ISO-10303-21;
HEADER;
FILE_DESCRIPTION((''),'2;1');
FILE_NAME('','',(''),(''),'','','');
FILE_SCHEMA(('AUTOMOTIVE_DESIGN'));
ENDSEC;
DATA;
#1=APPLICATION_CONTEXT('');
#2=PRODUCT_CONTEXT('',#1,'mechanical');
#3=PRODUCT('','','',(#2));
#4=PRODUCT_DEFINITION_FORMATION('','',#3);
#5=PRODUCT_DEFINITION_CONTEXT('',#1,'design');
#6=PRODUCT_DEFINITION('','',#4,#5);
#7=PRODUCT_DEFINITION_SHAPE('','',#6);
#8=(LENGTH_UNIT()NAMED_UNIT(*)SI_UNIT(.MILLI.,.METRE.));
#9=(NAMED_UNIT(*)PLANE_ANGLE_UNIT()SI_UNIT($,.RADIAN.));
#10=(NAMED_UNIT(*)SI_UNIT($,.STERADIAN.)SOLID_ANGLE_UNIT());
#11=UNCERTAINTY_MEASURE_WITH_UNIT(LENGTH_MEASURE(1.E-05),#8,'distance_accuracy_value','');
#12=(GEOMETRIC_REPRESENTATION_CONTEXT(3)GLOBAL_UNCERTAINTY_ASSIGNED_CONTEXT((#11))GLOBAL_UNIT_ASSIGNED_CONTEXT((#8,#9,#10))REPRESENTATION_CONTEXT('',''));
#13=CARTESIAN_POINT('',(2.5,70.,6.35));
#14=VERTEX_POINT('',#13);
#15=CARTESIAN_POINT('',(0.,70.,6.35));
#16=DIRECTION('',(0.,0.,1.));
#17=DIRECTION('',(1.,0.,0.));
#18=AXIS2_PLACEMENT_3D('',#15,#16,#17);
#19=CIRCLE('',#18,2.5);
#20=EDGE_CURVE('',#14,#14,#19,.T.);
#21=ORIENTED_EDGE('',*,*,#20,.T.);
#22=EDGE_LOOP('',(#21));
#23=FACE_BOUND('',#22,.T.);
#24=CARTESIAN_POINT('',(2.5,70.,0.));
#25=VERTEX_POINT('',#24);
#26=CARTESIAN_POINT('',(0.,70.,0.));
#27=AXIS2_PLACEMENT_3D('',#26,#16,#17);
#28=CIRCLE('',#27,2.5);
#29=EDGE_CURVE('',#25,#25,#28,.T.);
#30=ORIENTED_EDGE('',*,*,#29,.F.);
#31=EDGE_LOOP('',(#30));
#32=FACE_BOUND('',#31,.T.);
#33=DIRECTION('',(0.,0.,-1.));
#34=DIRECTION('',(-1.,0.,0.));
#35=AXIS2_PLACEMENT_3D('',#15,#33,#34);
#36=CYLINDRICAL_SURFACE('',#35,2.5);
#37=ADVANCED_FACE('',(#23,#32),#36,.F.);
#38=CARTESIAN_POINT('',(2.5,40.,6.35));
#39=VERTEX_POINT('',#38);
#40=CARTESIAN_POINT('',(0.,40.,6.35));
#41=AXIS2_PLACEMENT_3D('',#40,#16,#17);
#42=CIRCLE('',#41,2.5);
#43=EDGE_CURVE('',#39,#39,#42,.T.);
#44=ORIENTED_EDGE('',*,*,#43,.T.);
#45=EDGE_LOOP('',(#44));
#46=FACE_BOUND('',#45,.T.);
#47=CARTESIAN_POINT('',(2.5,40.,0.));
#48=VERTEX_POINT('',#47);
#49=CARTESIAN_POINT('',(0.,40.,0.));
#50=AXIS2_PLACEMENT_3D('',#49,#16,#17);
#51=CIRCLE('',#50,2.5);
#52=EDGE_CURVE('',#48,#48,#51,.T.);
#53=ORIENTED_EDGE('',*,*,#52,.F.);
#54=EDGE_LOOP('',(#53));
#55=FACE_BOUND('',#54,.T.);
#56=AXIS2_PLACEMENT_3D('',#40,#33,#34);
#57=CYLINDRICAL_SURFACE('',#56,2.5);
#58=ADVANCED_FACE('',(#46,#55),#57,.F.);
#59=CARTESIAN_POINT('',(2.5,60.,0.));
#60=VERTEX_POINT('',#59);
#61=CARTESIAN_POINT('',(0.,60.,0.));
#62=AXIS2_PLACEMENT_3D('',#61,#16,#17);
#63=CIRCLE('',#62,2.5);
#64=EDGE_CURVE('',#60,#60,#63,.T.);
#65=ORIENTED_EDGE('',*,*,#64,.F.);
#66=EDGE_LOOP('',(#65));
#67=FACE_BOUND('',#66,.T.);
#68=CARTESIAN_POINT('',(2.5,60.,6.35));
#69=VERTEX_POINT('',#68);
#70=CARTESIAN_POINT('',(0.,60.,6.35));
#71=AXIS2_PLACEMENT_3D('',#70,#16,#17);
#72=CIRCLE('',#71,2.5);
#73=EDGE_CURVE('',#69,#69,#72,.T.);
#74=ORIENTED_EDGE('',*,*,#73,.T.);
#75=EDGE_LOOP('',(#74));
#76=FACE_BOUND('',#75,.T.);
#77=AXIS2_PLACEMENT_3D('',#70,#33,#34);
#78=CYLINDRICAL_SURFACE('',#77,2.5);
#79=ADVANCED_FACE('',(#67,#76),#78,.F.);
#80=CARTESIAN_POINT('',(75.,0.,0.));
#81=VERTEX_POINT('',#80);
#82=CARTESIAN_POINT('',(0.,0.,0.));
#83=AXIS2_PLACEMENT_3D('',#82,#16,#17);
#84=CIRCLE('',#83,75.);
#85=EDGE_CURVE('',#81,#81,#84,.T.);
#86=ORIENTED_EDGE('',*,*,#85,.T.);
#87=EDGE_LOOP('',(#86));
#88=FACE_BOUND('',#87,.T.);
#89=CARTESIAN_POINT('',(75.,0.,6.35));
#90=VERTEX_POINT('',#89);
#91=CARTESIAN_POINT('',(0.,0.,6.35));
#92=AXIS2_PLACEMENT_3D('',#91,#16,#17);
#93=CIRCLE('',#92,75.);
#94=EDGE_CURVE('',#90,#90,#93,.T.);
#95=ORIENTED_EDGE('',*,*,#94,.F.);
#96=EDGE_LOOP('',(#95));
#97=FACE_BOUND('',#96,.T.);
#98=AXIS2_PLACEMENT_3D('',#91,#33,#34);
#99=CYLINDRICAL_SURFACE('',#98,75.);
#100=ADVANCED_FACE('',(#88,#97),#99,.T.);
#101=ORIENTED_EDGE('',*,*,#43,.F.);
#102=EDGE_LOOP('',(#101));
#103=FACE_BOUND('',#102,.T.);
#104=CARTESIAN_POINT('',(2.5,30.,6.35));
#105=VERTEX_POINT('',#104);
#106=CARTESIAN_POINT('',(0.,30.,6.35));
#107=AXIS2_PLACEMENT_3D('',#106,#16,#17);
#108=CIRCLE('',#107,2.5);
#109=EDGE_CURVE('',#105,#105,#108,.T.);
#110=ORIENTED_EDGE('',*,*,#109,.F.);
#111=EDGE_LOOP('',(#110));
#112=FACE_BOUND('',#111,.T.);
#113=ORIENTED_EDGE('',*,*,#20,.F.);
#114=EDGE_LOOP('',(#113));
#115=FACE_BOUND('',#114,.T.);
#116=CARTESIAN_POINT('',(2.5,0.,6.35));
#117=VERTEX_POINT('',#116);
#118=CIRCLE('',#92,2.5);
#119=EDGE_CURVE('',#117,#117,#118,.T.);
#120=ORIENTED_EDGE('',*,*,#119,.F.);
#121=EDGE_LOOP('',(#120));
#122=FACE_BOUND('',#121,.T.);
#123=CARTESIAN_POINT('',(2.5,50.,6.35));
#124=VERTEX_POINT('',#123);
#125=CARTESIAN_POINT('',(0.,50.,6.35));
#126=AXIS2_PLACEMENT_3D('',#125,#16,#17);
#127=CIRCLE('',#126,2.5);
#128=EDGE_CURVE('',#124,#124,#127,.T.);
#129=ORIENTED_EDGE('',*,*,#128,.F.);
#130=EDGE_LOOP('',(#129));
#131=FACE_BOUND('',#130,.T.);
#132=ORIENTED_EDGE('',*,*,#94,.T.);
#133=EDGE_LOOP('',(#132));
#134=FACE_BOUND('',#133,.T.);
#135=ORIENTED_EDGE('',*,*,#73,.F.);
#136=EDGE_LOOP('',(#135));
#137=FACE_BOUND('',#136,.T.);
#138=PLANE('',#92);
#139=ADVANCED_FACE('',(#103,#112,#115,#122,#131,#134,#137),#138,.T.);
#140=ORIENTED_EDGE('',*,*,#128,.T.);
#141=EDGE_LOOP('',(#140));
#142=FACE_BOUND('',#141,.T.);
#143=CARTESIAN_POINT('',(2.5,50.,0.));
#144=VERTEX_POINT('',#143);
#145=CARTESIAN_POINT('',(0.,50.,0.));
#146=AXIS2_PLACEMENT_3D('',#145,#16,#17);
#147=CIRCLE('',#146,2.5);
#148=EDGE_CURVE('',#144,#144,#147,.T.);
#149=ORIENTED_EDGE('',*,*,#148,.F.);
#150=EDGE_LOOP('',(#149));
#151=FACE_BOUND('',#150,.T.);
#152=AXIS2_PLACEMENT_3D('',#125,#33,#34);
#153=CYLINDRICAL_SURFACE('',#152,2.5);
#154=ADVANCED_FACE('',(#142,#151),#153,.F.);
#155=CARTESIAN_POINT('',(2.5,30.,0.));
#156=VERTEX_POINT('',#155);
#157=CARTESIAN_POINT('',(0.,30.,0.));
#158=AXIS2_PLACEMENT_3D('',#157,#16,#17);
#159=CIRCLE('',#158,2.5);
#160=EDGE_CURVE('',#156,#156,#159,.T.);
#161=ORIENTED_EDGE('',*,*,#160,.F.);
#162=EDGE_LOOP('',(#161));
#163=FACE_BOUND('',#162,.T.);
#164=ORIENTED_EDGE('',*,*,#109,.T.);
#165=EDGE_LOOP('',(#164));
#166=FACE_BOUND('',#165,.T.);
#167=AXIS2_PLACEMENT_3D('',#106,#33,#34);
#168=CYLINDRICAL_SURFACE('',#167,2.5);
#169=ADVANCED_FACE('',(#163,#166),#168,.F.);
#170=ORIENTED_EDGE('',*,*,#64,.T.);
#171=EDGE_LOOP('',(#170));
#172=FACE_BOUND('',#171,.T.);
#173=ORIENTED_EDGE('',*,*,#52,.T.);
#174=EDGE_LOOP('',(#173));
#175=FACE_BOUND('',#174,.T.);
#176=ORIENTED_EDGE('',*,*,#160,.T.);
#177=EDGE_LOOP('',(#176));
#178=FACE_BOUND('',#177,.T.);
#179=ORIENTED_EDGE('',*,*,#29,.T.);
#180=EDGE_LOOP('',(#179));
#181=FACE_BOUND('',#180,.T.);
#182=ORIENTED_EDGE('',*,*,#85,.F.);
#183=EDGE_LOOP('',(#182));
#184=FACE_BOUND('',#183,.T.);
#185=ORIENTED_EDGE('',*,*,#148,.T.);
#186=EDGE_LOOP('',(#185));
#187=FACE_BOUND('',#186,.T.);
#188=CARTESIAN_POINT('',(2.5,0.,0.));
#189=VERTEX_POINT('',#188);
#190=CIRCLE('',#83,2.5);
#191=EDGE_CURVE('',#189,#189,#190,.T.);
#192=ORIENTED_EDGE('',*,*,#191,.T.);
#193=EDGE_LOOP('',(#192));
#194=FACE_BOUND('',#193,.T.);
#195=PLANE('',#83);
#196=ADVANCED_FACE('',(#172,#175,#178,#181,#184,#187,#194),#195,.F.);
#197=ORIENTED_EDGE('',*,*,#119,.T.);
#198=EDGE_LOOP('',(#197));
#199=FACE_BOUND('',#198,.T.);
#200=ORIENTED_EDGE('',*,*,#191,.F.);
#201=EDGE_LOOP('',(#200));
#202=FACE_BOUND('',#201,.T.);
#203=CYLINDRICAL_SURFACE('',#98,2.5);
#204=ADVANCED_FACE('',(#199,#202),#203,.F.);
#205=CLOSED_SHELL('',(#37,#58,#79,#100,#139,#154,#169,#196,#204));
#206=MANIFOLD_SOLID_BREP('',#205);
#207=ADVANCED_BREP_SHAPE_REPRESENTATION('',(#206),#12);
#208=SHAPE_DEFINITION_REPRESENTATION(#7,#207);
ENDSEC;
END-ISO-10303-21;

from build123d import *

# Parameters (mm, degrees)
SKETCH1_R           = 75
SKETCH1_R_2         = 2.5
BOSS_EXTRUDE1_DEPTH = 6.35


with BuildPart() as part:
    # Sketch1 → Boss-Extrude1 (new body)
    with BuildSketch(Plane.XY):
        Circle(SKETCH1_R)
        with Locations((0, 30)):
            Circle(SKETCH1_R_2, mode=Mode.SUBTRACT)
        with Locations((0, 40)):
            Circle(SKETCH1_R_2, mode=Mode.SUBTRACT)
        with Locations((0, 50)):
            Circle(SKETCH1_R_2, mode=Mode.SUBTRACT)
        with Locations((0, 60)):
            Circle(SKETCH1_R_2, mode=Mode.SUBTRACT)
        with Locations((0, 70)):
            Circle(SKETCH1_R_2, mode=Mode.SUBTRACT)
        Circle(SKETCH1_R_2, mode=Mode.SUBTRACT)
    extrude(amount=BOSS_EXTRUDE1_DEPTH)


solid = part.part
